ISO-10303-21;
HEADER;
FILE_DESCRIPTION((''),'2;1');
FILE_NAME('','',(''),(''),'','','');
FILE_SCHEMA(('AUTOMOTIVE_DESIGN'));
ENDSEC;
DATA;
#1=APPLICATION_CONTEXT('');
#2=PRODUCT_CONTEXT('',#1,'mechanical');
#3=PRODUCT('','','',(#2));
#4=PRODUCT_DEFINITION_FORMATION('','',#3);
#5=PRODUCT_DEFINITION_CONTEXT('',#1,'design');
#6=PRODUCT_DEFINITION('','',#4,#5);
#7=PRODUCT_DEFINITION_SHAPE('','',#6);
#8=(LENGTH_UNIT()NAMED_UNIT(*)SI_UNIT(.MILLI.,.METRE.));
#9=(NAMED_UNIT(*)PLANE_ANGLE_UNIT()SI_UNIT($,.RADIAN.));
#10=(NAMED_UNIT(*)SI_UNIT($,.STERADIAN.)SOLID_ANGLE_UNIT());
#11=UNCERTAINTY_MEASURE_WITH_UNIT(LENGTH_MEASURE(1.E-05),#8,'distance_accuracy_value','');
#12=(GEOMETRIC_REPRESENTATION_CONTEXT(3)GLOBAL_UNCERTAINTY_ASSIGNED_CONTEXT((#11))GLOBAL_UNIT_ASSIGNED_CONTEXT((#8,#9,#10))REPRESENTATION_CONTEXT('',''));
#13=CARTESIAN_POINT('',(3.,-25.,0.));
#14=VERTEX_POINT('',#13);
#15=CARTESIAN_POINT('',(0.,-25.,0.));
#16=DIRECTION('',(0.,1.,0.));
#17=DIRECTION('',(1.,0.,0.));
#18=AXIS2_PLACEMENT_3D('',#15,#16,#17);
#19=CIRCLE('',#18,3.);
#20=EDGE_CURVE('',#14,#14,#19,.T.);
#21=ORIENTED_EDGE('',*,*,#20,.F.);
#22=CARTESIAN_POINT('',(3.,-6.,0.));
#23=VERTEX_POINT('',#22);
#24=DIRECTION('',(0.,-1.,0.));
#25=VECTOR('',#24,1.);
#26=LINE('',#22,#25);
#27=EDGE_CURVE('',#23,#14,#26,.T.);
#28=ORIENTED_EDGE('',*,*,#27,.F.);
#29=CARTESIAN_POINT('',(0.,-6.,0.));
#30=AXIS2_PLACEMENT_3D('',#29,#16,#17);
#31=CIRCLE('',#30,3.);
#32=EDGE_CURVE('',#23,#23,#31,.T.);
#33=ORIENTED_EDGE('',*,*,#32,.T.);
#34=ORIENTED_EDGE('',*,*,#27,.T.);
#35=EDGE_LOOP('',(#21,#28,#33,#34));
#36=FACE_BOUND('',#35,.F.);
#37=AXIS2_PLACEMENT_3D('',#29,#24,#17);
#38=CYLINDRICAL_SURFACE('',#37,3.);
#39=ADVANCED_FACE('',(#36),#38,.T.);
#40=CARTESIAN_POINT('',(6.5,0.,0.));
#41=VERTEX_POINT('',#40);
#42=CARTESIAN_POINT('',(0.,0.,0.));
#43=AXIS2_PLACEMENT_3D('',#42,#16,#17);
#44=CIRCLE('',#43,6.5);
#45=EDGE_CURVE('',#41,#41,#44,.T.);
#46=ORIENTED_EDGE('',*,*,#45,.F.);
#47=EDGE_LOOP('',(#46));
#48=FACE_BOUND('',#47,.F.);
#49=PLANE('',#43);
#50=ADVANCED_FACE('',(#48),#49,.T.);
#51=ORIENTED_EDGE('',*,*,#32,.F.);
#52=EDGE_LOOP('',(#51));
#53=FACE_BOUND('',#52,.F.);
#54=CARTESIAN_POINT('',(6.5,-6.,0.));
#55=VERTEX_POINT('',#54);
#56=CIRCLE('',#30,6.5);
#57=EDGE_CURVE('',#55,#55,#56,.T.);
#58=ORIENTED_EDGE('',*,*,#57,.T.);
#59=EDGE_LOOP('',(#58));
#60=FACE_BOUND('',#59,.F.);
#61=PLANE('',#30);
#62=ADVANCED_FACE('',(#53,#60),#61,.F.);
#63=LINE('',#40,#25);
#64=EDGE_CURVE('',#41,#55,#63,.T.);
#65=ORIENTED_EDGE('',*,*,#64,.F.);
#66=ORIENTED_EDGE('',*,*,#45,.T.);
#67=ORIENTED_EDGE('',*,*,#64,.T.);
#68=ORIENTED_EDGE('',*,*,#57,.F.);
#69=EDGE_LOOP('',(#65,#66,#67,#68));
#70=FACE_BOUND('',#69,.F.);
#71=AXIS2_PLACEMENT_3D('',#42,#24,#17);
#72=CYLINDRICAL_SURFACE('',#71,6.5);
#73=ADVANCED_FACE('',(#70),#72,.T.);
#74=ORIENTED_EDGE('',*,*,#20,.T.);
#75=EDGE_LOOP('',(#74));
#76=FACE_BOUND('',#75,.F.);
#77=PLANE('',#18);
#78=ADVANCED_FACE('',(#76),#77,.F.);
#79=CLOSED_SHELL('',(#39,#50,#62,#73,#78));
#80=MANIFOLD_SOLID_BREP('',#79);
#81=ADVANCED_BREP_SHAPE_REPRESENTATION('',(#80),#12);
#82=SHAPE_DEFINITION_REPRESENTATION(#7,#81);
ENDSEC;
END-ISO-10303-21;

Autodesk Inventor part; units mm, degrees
ref_plane "YZ Plane" through (0, 0, 0) normal (1, 0, 0) x (0, 1, 0)
ref_plane "XZ Plane" through (0, 0, 0) normal (0, 1, 0) x (-1, 0, 0)
ref_plane "XY Plane" through (0, 0, 0) normal (0, 0, 1) x (1, 0, 0)
sketch "Sketch1" plane through (0, 0, 0) normal (0, 0, 1) x (1, 0, 0)
  line L0 (0, 0) -> (6.5, 0)
  line L1 (6.5, 0) -> (6.5, -6)
  line L2 (6.5, -6) -> (3, -6)
  line L3 (3, -6) -> (3, -25)
  line L4 (3, -25) -> (0, -25)
  line L5 (0, -25) -> (0, 0)
  dimension "d0" = 6.5
  dimension "d1" = 3
  dimension "d2" = 6
  dimension "d3" = 19
revolve "Revolution1" add sketch "Sketch1" angle 360 about axis through (0, -25, 0) along (0, 1, 0)
properties part number "ThumbScrew"
